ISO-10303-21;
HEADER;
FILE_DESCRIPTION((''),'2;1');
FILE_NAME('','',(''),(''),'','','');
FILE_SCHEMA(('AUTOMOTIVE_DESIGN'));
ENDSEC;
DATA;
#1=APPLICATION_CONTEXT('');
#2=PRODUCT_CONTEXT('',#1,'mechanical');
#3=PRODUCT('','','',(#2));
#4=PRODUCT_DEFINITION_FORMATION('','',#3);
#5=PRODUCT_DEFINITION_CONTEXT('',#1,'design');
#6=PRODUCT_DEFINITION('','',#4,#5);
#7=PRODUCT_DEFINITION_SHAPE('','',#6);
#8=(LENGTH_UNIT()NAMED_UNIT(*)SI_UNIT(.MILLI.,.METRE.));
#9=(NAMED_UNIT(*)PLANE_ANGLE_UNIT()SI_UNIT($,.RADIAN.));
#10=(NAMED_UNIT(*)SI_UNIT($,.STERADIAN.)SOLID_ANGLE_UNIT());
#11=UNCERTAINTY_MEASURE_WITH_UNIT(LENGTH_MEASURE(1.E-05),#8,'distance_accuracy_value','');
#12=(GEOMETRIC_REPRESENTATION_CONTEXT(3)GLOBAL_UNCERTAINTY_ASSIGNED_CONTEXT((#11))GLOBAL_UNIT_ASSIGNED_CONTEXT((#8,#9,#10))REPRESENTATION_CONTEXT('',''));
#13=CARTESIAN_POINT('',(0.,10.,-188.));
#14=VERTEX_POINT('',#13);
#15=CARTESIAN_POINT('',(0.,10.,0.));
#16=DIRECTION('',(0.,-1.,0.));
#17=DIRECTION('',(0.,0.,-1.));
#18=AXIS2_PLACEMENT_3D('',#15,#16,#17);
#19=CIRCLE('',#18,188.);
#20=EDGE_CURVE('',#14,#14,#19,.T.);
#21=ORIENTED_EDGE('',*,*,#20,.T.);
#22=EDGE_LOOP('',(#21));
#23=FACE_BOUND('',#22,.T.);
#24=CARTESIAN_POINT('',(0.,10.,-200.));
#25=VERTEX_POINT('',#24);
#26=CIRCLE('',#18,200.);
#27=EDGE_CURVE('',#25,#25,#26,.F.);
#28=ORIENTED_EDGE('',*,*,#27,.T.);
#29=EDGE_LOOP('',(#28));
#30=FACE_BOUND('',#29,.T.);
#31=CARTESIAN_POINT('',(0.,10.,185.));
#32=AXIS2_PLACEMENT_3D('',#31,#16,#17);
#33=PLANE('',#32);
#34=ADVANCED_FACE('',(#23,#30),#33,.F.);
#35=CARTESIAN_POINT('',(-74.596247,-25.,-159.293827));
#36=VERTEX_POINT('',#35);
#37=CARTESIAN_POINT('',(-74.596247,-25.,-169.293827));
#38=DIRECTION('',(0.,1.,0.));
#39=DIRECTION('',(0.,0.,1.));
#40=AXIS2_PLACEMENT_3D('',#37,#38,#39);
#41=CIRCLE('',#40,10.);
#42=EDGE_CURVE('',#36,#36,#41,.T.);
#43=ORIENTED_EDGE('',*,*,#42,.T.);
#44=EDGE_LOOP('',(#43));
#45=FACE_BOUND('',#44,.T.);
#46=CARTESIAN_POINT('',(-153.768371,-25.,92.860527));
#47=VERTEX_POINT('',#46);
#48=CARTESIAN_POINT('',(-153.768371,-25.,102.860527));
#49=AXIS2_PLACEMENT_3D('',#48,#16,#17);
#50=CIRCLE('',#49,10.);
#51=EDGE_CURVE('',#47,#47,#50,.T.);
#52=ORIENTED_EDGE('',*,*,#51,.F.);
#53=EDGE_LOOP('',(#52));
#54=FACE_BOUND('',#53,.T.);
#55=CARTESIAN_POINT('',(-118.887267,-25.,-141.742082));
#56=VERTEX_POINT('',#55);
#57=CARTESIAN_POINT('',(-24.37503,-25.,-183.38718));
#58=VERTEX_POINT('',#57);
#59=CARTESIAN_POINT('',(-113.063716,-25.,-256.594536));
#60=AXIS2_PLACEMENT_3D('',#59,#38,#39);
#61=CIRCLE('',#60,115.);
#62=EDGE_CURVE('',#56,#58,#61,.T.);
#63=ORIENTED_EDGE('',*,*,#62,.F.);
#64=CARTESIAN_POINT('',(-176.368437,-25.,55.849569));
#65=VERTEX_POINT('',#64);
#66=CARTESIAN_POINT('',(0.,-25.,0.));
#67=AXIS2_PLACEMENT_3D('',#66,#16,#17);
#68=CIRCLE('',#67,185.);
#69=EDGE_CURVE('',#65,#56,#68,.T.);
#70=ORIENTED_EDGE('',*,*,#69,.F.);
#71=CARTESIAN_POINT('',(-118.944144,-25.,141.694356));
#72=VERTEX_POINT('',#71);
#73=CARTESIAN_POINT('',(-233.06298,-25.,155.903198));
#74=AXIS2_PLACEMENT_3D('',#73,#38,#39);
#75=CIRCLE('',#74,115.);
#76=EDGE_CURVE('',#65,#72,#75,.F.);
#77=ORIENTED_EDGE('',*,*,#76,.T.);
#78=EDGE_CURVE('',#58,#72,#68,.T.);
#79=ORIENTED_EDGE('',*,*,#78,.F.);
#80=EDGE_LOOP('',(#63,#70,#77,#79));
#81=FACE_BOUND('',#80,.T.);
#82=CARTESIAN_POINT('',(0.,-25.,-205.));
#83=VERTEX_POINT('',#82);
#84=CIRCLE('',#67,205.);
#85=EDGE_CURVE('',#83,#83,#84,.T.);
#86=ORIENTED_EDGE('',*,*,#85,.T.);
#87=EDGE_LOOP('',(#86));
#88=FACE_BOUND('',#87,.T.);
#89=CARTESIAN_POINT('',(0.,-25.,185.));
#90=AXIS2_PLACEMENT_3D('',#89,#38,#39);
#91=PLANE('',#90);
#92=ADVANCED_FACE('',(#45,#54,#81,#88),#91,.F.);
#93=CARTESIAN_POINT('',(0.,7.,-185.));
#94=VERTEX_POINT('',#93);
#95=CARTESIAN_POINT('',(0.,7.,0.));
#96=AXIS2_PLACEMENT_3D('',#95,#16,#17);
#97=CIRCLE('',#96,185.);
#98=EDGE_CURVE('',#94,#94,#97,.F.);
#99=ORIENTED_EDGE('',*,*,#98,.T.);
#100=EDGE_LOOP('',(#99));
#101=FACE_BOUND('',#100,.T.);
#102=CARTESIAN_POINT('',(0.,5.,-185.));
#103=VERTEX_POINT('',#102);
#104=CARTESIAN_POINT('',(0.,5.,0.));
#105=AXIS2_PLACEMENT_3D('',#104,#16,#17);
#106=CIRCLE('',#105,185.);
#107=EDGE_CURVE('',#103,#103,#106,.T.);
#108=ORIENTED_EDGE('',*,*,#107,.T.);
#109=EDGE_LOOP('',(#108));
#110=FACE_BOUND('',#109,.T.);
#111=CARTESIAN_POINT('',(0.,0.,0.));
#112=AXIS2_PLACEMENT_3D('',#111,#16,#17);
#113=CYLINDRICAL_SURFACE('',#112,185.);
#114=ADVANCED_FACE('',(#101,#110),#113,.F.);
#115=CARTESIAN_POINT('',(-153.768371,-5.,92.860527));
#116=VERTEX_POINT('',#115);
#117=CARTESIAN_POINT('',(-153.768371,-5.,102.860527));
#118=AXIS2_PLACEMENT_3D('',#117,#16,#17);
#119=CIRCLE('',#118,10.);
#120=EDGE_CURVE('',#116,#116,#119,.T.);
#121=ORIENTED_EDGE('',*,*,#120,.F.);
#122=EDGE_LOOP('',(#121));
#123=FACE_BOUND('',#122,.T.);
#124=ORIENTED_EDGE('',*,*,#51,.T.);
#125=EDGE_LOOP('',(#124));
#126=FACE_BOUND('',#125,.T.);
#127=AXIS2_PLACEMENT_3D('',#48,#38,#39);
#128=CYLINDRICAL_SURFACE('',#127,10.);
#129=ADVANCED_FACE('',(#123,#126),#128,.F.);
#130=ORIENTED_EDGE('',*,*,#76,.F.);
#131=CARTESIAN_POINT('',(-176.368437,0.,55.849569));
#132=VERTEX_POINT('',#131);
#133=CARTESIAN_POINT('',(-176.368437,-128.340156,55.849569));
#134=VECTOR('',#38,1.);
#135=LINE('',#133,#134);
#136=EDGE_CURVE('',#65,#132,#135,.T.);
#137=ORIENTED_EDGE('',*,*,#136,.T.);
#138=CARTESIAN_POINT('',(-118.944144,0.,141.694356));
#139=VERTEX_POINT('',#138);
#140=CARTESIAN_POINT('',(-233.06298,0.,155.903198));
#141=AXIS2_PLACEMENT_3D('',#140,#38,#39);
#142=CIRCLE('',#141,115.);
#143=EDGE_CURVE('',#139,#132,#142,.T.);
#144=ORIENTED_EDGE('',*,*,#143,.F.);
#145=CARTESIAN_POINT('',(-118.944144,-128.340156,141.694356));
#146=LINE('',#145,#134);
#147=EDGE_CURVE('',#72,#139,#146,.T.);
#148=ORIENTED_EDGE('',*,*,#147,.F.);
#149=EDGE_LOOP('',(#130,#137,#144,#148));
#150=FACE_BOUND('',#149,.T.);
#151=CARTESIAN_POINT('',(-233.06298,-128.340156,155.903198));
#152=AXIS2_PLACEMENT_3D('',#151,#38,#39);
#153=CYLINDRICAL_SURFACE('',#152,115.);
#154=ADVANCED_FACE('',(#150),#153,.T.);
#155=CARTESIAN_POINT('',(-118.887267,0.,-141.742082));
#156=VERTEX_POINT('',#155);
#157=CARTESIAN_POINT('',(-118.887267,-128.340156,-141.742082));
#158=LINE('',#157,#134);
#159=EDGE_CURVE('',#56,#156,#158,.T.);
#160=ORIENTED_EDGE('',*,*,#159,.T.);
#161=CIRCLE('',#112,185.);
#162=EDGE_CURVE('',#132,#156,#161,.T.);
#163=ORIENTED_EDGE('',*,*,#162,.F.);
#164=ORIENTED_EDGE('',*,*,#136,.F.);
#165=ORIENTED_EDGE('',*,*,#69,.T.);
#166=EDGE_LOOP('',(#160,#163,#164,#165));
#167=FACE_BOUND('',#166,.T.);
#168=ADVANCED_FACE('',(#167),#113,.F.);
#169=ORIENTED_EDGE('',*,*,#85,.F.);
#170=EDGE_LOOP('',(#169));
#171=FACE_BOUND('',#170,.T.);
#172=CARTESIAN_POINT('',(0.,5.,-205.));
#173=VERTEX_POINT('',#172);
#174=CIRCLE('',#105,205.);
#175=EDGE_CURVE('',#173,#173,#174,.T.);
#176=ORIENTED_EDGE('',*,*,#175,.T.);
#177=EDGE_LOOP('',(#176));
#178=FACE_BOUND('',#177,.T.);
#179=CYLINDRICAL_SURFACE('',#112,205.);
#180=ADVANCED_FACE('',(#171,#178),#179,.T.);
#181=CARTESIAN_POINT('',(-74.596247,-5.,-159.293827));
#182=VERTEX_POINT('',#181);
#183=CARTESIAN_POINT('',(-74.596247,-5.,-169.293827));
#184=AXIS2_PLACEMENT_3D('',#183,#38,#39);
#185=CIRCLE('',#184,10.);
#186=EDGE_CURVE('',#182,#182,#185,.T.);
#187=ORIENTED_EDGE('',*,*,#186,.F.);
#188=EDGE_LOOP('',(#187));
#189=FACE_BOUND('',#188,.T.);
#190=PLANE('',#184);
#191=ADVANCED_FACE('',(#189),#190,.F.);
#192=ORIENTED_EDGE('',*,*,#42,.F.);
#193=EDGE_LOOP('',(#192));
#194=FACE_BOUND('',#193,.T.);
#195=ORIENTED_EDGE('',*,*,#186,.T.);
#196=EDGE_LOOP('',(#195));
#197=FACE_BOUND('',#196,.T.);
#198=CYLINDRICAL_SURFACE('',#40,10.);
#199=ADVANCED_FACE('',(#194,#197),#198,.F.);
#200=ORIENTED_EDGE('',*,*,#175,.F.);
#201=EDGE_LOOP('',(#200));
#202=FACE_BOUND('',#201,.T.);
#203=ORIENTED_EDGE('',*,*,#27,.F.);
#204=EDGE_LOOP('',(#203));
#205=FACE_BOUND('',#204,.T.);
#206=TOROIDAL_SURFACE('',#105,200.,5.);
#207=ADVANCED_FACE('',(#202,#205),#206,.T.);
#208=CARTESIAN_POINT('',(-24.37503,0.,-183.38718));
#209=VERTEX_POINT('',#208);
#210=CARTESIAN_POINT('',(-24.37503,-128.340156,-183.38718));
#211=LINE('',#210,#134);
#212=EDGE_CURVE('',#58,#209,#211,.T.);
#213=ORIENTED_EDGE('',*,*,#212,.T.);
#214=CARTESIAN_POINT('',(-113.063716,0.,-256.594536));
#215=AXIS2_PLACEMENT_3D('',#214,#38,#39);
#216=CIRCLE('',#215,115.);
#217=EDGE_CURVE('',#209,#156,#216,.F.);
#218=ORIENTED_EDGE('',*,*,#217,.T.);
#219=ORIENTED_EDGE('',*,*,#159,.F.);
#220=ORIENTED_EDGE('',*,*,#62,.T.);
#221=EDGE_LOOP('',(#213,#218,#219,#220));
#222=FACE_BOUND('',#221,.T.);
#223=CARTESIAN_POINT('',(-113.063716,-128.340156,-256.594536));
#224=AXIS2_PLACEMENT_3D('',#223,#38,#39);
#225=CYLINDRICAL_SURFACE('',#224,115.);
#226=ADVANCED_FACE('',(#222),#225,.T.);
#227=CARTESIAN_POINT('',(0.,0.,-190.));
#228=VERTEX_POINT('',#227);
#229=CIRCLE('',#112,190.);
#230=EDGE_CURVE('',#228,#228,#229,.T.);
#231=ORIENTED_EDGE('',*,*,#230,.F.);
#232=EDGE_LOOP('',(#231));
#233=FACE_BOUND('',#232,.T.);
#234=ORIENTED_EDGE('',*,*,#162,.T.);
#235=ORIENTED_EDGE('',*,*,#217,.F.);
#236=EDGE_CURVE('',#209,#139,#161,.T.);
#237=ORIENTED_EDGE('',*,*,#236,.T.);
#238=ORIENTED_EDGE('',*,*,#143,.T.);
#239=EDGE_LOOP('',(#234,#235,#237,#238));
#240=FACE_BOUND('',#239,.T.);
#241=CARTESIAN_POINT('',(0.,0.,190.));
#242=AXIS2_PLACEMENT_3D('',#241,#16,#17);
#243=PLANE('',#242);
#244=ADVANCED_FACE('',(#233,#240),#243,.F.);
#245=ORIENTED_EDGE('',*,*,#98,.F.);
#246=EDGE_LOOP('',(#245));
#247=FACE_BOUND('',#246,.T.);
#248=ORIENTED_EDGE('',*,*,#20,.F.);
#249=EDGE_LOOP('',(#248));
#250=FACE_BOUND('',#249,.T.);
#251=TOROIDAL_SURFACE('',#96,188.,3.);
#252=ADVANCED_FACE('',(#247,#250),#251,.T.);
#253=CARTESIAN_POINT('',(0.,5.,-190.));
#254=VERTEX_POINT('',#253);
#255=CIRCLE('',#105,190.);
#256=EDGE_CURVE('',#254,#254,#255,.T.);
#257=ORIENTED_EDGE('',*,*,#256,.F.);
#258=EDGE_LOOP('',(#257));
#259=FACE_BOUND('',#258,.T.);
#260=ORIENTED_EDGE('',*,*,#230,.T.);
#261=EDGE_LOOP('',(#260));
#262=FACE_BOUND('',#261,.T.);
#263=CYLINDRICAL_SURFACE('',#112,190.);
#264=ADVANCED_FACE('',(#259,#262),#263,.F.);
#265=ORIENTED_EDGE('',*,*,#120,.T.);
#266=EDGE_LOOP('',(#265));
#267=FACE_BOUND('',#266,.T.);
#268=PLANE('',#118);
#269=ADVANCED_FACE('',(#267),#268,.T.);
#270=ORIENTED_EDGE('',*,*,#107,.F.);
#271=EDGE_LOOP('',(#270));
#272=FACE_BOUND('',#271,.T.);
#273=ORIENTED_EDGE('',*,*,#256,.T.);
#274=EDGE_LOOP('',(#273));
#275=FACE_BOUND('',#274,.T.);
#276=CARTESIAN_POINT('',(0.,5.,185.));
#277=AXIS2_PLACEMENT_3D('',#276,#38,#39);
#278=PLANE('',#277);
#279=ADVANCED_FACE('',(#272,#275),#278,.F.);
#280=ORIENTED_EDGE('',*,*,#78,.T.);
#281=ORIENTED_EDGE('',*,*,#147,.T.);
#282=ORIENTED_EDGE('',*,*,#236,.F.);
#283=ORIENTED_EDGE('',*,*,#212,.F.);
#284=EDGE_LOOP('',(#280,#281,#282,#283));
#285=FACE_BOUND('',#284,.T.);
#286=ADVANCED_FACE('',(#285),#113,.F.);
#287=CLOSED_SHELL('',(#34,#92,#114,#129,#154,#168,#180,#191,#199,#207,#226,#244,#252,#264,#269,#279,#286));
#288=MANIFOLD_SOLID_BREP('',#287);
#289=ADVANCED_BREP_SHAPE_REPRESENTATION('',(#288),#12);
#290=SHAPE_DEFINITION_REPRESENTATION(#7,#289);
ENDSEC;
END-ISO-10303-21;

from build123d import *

# Parameters (mm, degrees)
FILLET1_R           = 5
FILLET2_R           = 3
BOSS_EXTRUDE1_DEPTH = 25
CUT_EXTRUDE3_START  = -5
SKETCH24_R          = 10
CUT_EXTRUDE3_DEPTH  = 21


with BuildPart() as part:
    # Sketch2 → Revolve1 (revolve)
    with BuildSketch(Plane(origin=(0, 0, 0), x_dir=(0, 0, -1), z_dir=(1, 0, 0))):
        Polygon((-185, -25), (-205, -25), (-205, 10), (-185, 10), (-185, 5), (-190, 5), (-190, 0), (-185, 0), align=None)
    revolve(axis=Axis((0, 0, 0), (0, 1, 0)))

    # Fillet1
    fillet1_edges = [part.edges().sort_by_distance(p)[0] for p in [
        (0, 10, -205),
    ]]
    fillet(fillet1_edges, radius=FILLET1_R)

    # Fillet2
    fillet2_edges = [part.edges().sort_by_distance(p)[0] for p in [
        (0, 10, -185),
    ]]
    fillet(fillet2_edges, radius=FILLET2_R)

    # Sketch15 → Boss-Extrude1 (add)
    with BuildSketch(Plane(origin=(0, 0, 0), x_dir=(1, 0, 0), z_dir=(0, 1, 0))):
        with BuildLine():
            ThreePointArc((-118.887266817, 141.742081926), (-66.69307667, 151.357832715), (-24.375030373, 183.387180289))
            ThreePointArc((-24.375030373, 183.387180289), (-74.596246578, 169.293827402), (-118.887266817, 141.742081926))
        make_face()
        with BuildLine():
            ThreePointArc((-118.944143978, -141.694356321), (-137.477235911, -91.962870803), (-176.368437347, -55.849568556))
            ThreePointArc((-176.368437347, -55.849568556), (-153.768371484, -102.860526594), (-118.944143978, -141.694356321))
        make_face()
    extrude(amount=-BOSS_EXTRUDE1_DEPTH)

    # Sketch24 → Cut-Extrude3 (cut, through all)
    with BuildSketch(Plane(origin=(0, 0, 0), x_dir=(1, 0, 0), z_dir=(0, 1, 0)).offset(CUT_EXTRUDE3_START)):
        with Locations((-74.596246578, 169.293827402)):
            Circle(SKETCH24_R)
        with Locations((-153.768371484, -102.860526594)):
            Circle(SKETCH24_R)
    extrude(amount=-CUT_EXTRUDE3_DEPTH, mode=Mode.SUBTRACT)


solid = part.part
